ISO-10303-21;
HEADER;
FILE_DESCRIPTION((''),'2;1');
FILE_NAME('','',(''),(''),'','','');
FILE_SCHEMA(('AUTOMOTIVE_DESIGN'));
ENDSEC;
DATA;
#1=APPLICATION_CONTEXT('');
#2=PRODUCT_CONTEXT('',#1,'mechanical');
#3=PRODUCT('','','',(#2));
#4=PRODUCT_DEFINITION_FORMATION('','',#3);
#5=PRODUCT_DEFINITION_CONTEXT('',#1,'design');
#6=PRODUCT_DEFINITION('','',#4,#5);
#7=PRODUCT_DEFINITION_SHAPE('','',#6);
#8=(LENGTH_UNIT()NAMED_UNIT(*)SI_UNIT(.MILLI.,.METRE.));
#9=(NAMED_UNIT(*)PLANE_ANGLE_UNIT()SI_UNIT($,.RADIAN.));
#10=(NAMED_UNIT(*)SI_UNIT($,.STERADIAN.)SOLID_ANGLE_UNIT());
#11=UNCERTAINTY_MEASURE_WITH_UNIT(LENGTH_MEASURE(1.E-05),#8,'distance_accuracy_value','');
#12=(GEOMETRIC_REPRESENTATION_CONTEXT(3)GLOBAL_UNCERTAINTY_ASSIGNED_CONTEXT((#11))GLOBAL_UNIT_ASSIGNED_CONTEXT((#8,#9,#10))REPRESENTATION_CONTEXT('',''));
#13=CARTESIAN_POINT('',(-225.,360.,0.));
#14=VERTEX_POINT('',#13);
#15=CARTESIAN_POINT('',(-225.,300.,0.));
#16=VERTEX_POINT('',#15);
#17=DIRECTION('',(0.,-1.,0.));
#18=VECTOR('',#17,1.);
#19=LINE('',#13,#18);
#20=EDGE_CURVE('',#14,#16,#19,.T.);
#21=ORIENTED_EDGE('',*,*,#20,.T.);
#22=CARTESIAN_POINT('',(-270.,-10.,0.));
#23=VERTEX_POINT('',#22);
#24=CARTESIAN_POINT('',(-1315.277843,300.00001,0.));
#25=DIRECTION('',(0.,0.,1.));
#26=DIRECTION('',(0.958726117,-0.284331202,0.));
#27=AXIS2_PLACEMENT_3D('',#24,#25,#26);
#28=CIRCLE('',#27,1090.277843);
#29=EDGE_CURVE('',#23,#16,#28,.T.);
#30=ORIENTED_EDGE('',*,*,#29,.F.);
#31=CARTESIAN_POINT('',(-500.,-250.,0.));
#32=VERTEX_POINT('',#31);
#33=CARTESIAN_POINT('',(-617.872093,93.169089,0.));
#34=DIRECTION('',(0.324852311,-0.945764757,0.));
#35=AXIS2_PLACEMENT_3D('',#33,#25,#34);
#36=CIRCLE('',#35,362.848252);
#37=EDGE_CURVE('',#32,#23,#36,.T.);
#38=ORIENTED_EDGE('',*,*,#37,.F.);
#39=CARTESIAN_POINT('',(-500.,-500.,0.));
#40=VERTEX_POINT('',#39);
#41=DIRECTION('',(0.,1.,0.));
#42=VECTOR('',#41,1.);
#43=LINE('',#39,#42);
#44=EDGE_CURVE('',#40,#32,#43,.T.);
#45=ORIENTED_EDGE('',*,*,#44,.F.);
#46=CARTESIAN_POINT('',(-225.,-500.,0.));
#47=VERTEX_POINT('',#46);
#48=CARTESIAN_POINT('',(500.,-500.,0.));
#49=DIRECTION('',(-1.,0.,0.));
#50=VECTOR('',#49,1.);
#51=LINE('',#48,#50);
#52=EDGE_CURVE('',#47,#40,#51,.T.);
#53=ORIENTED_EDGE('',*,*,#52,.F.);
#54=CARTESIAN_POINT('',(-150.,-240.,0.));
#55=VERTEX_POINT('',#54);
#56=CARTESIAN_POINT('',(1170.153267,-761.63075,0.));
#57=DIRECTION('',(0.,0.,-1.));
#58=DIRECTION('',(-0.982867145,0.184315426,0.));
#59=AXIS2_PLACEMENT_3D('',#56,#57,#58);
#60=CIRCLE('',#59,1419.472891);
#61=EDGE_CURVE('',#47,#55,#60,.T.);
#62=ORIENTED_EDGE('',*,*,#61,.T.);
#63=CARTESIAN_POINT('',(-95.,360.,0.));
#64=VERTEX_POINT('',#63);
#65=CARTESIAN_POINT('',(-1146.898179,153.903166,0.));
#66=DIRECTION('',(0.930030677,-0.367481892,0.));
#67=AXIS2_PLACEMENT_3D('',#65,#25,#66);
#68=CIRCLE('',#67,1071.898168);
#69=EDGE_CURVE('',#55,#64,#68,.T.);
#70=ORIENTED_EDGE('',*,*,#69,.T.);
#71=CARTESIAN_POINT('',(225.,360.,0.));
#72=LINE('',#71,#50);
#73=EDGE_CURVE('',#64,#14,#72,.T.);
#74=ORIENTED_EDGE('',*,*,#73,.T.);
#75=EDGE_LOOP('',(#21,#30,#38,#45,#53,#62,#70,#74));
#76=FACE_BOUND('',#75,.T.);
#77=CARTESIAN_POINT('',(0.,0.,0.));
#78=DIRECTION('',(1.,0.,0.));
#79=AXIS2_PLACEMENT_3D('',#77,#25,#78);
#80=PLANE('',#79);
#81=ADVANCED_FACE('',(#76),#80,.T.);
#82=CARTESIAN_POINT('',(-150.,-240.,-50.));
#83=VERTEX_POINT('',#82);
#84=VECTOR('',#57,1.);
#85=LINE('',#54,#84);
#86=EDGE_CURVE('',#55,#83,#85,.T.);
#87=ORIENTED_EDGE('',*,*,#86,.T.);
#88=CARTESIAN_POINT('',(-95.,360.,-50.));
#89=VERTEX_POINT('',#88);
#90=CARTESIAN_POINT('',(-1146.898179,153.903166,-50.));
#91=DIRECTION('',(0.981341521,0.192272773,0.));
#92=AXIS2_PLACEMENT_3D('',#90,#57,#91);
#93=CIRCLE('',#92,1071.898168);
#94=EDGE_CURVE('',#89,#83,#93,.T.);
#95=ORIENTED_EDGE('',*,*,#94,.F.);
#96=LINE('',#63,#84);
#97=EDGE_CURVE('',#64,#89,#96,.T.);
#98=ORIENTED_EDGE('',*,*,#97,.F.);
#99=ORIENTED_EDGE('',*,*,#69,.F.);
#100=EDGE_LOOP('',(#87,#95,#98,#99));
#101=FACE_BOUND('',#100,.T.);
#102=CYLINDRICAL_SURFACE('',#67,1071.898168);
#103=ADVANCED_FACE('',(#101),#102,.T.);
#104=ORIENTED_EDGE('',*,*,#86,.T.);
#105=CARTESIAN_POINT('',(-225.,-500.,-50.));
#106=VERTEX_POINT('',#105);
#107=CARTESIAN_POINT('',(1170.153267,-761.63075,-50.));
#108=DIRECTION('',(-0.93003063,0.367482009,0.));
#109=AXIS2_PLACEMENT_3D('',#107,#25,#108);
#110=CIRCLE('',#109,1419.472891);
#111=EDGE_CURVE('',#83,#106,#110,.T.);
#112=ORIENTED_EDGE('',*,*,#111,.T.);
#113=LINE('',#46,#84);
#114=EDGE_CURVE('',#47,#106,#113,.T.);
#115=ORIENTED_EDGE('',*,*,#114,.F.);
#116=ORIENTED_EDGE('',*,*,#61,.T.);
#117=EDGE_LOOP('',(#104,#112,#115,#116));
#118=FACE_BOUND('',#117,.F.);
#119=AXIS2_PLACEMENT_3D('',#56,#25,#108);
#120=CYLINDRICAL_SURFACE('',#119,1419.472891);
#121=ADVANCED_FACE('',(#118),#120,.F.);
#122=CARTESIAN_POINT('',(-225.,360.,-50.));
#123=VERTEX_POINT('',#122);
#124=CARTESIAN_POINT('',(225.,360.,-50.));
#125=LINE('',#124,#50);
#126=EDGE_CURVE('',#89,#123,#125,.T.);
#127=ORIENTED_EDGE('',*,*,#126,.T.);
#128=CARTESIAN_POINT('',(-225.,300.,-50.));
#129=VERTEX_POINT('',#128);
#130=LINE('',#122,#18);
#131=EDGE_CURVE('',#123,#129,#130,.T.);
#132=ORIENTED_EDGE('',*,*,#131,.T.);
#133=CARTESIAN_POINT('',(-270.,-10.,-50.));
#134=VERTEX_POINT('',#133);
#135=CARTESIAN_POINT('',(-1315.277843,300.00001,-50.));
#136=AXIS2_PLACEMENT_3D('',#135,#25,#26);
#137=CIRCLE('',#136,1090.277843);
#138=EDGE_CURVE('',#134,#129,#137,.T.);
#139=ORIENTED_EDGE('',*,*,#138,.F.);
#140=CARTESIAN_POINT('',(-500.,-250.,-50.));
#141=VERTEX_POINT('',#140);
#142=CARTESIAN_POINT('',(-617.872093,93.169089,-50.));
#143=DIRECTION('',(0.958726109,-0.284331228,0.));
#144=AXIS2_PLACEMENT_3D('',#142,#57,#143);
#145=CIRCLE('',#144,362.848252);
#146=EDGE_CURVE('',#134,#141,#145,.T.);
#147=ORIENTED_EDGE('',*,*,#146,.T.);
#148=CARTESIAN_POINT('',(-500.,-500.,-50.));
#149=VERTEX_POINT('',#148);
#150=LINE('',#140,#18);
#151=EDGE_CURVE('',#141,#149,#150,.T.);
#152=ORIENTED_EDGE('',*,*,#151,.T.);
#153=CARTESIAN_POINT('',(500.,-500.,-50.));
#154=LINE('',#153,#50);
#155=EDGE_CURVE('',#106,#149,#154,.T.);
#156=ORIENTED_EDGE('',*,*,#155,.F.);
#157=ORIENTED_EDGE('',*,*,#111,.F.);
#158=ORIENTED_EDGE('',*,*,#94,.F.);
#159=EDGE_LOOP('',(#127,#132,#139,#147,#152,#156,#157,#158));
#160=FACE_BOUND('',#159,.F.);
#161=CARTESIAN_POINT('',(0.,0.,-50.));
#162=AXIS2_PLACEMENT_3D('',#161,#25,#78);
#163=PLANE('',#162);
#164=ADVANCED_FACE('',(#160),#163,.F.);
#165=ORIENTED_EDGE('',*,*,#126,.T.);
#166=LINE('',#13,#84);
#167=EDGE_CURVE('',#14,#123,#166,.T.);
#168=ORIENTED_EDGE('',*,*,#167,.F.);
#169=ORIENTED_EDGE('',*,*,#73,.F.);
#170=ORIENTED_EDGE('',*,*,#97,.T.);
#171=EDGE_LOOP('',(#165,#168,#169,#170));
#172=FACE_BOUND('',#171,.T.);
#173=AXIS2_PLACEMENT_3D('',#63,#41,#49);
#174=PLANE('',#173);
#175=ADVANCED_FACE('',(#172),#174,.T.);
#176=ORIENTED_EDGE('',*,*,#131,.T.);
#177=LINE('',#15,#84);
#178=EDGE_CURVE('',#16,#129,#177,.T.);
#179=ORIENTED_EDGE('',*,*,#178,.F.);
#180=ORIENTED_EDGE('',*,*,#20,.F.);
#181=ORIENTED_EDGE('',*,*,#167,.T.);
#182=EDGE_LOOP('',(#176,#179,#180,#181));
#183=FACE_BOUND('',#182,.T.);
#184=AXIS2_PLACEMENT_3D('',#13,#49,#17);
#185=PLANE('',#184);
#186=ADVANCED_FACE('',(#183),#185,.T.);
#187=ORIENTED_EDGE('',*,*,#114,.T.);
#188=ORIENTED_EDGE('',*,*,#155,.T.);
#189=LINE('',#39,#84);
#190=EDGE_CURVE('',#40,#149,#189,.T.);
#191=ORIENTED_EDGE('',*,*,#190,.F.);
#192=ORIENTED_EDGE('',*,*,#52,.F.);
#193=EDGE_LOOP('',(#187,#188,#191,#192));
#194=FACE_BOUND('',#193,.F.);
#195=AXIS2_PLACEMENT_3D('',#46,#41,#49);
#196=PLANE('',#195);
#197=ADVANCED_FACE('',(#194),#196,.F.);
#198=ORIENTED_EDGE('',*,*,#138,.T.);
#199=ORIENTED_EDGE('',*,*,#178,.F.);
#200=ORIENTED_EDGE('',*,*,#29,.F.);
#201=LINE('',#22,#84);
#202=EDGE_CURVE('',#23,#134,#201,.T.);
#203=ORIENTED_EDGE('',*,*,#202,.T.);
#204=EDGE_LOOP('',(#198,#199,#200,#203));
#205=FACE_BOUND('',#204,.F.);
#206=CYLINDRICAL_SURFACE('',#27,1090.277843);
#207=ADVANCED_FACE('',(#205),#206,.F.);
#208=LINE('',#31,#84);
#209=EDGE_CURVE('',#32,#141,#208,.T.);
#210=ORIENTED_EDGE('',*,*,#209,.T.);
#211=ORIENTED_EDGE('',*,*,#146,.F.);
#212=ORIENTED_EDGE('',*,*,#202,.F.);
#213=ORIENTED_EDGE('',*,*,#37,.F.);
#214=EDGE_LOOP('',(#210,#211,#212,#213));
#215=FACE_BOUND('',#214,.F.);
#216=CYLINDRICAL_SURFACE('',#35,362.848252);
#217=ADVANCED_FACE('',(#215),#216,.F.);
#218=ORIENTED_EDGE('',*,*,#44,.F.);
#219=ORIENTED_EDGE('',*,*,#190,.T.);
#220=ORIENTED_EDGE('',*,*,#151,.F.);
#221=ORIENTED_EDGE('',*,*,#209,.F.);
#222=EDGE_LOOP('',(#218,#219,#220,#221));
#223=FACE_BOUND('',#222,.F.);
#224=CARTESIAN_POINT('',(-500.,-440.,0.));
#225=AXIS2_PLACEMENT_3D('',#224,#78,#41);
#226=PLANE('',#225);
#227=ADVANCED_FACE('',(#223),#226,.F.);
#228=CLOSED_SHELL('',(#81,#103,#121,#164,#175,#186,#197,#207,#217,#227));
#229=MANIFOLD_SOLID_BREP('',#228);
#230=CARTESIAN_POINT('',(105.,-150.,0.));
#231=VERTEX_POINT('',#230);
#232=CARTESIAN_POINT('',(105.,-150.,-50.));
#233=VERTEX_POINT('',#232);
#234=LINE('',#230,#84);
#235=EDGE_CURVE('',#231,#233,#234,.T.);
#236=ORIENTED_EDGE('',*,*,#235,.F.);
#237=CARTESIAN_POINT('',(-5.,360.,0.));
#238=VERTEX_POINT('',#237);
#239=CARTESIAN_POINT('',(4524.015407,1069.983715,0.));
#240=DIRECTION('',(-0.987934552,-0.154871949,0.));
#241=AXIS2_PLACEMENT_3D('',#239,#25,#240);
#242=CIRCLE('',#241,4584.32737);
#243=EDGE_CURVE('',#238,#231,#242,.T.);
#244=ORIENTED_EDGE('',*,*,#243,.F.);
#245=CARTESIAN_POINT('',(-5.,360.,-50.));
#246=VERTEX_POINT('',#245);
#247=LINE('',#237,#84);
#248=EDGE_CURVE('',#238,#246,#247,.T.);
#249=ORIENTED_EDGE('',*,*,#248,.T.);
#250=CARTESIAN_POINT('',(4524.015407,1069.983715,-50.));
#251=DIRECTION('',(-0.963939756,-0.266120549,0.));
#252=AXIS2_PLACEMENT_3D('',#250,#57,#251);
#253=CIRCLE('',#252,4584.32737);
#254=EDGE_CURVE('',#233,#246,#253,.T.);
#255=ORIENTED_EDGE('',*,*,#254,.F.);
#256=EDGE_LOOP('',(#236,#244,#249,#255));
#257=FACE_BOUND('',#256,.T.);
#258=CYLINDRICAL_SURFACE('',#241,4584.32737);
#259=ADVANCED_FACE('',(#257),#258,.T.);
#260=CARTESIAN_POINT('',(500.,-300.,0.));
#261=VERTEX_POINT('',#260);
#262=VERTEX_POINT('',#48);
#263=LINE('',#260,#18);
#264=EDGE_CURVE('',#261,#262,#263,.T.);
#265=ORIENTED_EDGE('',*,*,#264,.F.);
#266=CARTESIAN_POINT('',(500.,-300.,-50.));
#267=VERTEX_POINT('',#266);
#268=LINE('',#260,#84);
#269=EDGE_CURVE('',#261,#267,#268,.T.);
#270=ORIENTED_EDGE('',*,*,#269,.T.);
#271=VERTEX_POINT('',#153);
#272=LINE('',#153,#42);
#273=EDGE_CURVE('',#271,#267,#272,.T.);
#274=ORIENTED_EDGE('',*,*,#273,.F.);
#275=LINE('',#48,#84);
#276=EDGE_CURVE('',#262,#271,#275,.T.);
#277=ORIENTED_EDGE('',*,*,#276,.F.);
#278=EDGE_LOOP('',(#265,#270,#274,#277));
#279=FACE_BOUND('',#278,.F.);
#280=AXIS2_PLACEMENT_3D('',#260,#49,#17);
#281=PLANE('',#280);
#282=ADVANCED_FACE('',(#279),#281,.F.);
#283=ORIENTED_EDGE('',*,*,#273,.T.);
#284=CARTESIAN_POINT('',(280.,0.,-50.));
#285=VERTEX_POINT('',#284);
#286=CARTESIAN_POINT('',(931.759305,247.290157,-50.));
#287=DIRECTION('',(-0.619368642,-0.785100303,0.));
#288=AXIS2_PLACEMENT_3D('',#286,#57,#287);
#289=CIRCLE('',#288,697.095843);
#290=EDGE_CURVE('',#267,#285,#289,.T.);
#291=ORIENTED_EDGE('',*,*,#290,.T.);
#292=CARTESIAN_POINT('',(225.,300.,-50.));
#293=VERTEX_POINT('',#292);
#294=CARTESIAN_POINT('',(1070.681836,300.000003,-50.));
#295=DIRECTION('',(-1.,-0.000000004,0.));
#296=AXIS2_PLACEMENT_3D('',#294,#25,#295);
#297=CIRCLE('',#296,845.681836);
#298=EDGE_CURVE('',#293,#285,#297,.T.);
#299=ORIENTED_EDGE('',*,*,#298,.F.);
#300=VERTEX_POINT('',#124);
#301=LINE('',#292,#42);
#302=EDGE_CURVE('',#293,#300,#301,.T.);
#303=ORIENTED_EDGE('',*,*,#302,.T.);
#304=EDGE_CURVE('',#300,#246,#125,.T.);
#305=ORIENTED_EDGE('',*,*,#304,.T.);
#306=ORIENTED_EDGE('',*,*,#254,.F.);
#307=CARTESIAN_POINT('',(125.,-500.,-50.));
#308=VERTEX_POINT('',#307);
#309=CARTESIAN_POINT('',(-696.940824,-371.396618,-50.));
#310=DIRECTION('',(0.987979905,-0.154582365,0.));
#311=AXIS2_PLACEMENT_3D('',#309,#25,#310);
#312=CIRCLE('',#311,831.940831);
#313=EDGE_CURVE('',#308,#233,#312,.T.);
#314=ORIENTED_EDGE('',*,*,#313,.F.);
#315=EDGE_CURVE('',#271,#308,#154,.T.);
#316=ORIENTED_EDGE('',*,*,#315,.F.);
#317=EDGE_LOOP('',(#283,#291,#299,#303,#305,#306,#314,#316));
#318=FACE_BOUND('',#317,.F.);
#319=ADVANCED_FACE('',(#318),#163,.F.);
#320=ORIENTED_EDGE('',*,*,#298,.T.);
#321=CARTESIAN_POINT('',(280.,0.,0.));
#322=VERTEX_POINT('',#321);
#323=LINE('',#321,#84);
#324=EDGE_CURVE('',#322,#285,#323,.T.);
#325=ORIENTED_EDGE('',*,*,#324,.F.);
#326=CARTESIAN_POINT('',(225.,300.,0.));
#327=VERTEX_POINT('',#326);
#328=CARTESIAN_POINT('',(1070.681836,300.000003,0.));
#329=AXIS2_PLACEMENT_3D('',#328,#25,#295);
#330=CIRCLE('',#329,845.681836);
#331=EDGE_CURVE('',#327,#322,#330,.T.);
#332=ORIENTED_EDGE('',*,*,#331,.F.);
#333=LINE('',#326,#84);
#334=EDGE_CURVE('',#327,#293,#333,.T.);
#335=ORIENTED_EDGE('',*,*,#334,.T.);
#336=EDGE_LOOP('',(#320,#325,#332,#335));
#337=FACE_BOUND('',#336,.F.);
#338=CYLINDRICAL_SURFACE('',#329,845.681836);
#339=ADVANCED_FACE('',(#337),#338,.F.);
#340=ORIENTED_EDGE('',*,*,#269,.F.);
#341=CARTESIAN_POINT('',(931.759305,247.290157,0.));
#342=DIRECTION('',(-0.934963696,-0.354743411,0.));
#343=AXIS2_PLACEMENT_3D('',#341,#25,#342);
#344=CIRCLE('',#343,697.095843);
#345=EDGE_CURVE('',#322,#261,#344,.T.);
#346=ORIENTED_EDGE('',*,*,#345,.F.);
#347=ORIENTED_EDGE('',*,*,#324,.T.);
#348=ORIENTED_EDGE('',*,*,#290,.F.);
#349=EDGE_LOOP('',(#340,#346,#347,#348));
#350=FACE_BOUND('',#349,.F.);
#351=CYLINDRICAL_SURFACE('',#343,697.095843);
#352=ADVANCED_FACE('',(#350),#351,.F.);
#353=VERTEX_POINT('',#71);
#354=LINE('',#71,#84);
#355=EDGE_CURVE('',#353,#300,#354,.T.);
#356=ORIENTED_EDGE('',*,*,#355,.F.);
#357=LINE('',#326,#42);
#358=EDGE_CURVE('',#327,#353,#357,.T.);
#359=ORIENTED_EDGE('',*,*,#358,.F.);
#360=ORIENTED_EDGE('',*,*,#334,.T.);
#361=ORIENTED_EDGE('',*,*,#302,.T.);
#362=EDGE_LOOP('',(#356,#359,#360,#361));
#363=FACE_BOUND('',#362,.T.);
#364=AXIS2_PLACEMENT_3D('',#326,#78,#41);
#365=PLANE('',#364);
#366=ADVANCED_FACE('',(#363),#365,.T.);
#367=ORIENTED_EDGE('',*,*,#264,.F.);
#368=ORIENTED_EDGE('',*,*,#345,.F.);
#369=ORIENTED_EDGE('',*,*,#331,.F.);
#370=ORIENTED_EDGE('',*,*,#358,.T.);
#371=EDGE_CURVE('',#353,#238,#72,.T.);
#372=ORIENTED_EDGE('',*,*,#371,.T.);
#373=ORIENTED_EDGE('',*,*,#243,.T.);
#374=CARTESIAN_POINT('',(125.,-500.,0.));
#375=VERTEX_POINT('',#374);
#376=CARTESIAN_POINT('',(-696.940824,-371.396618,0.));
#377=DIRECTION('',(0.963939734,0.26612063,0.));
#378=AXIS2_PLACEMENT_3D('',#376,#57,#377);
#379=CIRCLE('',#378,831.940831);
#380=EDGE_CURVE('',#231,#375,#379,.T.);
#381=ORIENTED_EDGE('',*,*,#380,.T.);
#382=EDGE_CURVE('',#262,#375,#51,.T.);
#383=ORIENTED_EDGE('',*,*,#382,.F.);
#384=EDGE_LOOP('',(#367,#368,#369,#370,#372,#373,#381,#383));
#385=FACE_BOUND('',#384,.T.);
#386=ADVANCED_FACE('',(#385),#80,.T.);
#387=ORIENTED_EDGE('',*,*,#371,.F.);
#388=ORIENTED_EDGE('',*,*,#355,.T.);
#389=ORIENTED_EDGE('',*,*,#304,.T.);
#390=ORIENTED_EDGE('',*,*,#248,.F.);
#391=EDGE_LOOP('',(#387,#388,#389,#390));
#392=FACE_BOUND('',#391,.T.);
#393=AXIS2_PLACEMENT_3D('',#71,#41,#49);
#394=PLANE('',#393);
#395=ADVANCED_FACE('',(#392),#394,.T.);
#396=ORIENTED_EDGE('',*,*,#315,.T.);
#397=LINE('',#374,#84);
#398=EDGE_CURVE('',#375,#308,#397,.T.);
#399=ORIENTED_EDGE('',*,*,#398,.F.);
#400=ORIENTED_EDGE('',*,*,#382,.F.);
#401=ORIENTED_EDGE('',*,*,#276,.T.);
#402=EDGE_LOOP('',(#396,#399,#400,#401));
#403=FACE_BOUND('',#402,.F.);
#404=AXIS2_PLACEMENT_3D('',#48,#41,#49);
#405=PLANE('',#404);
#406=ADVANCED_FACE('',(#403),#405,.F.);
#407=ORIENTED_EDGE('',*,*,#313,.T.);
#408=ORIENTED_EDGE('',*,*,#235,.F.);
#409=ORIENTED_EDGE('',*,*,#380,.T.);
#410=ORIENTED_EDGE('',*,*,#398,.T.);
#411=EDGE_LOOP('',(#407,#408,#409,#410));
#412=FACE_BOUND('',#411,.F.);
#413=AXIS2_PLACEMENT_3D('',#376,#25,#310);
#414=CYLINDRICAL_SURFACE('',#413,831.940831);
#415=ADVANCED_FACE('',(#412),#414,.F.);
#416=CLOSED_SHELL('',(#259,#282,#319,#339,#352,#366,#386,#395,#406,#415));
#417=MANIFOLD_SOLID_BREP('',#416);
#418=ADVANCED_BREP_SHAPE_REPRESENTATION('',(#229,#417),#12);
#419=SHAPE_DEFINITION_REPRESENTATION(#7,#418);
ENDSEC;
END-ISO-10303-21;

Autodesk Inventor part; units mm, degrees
ref_plane "YZ Plane" through (0, 0, 0) normal (1, 0, 0) x (0, 1, 0)
ref_plane "XZ Plane" through (0, 0, 0) normal (0, 1, 0) x (-1, 0, 0)
ref_plane "XY Plane" through (0, 0, 0) normal (0, 0, 1) x (1, 0, 0)
sketch "Skizze3" plane through (0, 0, 0) normal (0, 0, 1) x (1, 0, 0)
  line L0 (-500, 500) -> (500, 500)
  line L1 (500, 500) -> (500, -500)
  line L2 (500, -500) -> (-500, -500)
  line L3 (-500, -500) -> (-500, 500)
  line L4 (-500, 500) -> (-275, 500)
  line L5 (-275, 500) -> (-275, 440)
  line L6 (-275, 440) -> (-500, 440)
  line L7 (-500, 440) -> (-500, 500)
  line L8 (500, 500) -> (275, 500)
  line L9 (275, 500) -> (275, 440)
  line L10 (275, 440) -> (500, 440)
  line L11 (500, 440) -> (500, 500)
  line L12 (-275, 500) -> (275, 500)
  line L13 (275, 500) -> (275, 300)
  line L14 (275, 300) -> (-275, 300)
  line L15 (-275, 300) -> (-275, 500)
  line L16 (-225, 300) -> (225, 300)
  line L17 (225, 300) -> (225, 360)
  line L18 (225, 360) -> (-225, 360)
  line L19 (-225, 360) -> (-225, 300)
  line L20 (-500, -500) -> (500, -500)
  line L21 (500, -500) -> (500, -440)
  line L22 (500, -440) -> (-500, -440)
  line L23 (-500, -440) -> (-500, -500)
  line L24 (-440, 440) -> (-500, 440)
  line L25 (-500, 440) -> (-500, -440)
  line L26 (-500, -440) -> (-440, -440)
  line L27 (-440, -440) -> (-440, 440)
  line L28 (500, 440) -> (440, 440)
  line L29 (440, 440) -> (440, -440)
  line L30 (440, -440) -> (500, -440)
  line L31 (500, -440) -> (500, 440)
  arc A0 (-270, -10) -> (-225, 300) centre (-1315.2778, 300) ccw
  arc A1 (-500, -250) -> (-270, -10) centre (-617.8721, 93.1691) ccw
  arc A2 (225, 300) -> (280, 0) centre (1070.6818, 300) ccw
  arc A3 (280, 0) -> (500, -300) centre (931.7592, 247.2901) ccw
  arc A4 (-150, -240) -> (-95, 360) centre (-1146.8979, 153.9031) ccw
  arc A5 (-150, -240) -> (-225, -500) centre (1170.154, -761.631) ccw
  arc A6 (-5, 360) -> (105, -150) centre (4524.0164, 1069.9839) ccw
  arc A7 (125, -500) -> (105, -150) centre (-696.9412, -371.3966) ccw
  circle A8 centre (-165, 430) radius 12.5
  circle A9 centre (-65, 430) radius 12.5
  circle A10 centre (115, 430) radius 12.5
  line L32 (-440, 440) -> (-500, 440)
  line L33 (-500, 440) -> (-500, -440)
  line L34 (-500, -440) -> (-440, -440)
  line L35 (-440, -440) -> (-440, 440)
  line L36 (440, -440) -> (500, -440)
  line L37 (500, -440) -> (500, 440)
  line L38 (500, 440) -> (440, 440)
  line L39 (440, 440) -> (440, -440)
  line L40 (-500, -250) -> (-500, -500)
  line L41 (-500, -500) -> (-225, -500)
  line L42 (-225, 360) -> (-95, 360)
  line L43 (-95, 360) -> (-5, 360)
  line L44 (-5, 360) -> (225, 360)
  line L45 (-225, -500) -> (125, -500)
  line L46 (125, -500) -> (500, -500)
  line L47 (500, -500) -> (500, -300)
  point P0 (0, 0)
  point P1 (-500.0625, 0)
  point P2 (0, 500.0625)
  point P3 (-500, 0)
  point P4 (0, 500)
  point P5 (0, 360)
  dimension "d5" = 1000
  dimension "d8" = 1000
  dimension "d9" = 60
  dimension "d10" = 225
  dimension "d11" = 225
  dimension "d12" = 550
  dimension "d13" = 200
  dimension "d14" = 450
  dimension "d15" = 60
  dimension "d16" = 60
  dimension "d17" = 880
  dimension "d18" = 60
  dimension "d19" = 60
  dimension "d20" = 250
  dimension "d21" = 230
  dimension "d22" = 240
  dimension "d23" = 200
  dimension "d24" = 300
  dimension "d25" = 220
  dimension "d26" = 130
  dimension "d27" = 150
  dimension "d28" = 275
  dimension "d29" = 75
  dimension "d30" = 260
  dimension "d31" = 90
  dimension "d32" = 230
  dimension "d33" = 375
  dimension "d34" = 350
  dimension "d35" = 365
  dimension "d36" = 350
  dimension "d37" = 20
  dimension "d38" = 25
  dimension "d39" = 70
  dimension "d40" = 60
  dimension "d41" = 110
  dimension "d42" = 30
extrude "Extrusion9" add sketch "Skizze3" against normal blind 50 contours A1 L27 L22 L3 | L22 A5 L2 L3 | A1 A0 L14 A4 A5 L22 L27 | L19 L18 A4 L14 | L1 L22 L29 A3 | L29 L22 A7 A6 L14 A2 A3 | L14 A6 L18 L17 | L1 L2 A7 L22
equation "\"d16\" = d9"
equation "\"d18\" = d9"
equation "\"d19\" = d9"
properties part number "UA-70 Platten aussen"
